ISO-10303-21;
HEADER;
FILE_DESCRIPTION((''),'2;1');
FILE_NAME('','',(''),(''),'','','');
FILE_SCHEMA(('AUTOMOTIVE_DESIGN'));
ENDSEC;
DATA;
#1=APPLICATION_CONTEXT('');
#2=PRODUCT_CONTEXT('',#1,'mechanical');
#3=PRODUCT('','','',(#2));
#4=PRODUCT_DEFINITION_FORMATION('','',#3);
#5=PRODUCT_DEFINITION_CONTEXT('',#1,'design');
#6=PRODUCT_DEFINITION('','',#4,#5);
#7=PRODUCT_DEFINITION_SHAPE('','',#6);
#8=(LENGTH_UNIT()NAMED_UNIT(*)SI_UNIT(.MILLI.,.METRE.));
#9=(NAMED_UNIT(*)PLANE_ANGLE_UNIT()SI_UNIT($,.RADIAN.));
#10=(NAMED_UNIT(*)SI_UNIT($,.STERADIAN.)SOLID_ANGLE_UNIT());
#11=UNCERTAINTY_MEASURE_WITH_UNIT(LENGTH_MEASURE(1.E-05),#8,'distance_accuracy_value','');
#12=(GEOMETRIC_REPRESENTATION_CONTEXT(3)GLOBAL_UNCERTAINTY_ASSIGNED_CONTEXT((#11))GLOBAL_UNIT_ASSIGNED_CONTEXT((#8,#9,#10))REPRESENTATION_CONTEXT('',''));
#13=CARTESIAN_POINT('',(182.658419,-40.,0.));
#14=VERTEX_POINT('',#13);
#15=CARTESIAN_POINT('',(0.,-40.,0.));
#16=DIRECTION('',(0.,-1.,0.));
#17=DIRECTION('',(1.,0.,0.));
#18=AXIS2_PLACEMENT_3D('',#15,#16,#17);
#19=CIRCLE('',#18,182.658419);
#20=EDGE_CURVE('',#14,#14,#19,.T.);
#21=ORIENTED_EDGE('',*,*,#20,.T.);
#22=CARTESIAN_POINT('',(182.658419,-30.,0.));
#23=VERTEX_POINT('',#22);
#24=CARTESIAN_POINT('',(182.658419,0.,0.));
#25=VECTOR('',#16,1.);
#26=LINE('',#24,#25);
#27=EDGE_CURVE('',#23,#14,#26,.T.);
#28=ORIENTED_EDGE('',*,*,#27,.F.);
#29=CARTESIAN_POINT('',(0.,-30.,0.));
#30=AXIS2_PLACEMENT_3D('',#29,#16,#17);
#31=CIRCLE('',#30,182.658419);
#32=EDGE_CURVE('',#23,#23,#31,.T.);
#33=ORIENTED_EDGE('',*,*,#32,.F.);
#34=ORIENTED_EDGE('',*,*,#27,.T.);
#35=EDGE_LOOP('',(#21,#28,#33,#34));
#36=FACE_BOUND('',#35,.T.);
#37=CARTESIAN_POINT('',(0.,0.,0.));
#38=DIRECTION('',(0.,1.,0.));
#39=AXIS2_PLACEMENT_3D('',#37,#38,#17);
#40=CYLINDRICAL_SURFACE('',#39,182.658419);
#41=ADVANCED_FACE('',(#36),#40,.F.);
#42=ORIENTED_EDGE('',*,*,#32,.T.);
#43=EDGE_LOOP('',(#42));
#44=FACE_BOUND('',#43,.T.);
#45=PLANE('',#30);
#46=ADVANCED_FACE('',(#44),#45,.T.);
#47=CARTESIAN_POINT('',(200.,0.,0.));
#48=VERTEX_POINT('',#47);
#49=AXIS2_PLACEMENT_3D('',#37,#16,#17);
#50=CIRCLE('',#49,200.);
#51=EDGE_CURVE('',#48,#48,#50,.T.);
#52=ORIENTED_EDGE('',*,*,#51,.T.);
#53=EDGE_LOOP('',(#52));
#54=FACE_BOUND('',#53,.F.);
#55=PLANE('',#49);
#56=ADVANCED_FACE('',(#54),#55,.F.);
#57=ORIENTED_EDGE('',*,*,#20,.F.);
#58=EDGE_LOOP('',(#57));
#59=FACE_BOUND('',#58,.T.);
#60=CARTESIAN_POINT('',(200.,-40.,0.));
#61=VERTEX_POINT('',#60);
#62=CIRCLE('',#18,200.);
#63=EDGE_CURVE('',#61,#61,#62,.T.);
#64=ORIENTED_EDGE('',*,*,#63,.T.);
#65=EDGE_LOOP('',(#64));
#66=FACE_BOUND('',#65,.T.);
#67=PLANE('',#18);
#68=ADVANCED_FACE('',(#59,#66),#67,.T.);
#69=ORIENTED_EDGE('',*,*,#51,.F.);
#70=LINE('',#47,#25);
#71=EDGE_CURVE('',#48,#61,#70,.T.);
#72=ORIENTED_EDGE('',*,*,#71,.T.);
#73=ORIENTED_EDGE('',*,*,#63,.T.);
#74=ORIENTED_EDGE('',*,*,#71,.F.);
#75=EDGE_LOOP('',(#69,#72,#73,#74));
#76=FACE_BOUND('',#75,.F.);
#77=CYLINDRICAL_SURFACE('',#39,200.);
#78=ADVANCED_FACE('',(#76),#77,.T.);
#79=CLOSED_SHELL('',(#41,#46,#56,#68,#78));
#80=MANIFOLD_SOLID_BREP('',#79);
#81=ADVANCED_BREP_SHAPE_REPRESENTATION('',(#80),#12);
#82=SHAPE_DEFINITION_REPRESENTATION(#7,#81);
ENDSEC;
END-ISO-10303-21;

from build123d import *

# Parameters (mm, degrees)
F0_R     = 200
F0_R_2   = 182.658419
F2_DEPTH = 40
F1_R     = 182.658419
F3_DEPTH = 30


with BuildPart() as f2:
    # F0 (on Front) → F2 (new body)
    with BuildSketch(Plane.XZ):
        Circle(F0_R)
        Circle(F0_R_2, mode=Mode.SUBTRACT)
    extrude(amount=F2_DEPTH)

    # F1 (on face) → F3 (join)
    with BuildSketch(Plane.XZ):
        Circle(F1_R)
    extrude(amount=F3_DEPTH)


solid = f2.part
